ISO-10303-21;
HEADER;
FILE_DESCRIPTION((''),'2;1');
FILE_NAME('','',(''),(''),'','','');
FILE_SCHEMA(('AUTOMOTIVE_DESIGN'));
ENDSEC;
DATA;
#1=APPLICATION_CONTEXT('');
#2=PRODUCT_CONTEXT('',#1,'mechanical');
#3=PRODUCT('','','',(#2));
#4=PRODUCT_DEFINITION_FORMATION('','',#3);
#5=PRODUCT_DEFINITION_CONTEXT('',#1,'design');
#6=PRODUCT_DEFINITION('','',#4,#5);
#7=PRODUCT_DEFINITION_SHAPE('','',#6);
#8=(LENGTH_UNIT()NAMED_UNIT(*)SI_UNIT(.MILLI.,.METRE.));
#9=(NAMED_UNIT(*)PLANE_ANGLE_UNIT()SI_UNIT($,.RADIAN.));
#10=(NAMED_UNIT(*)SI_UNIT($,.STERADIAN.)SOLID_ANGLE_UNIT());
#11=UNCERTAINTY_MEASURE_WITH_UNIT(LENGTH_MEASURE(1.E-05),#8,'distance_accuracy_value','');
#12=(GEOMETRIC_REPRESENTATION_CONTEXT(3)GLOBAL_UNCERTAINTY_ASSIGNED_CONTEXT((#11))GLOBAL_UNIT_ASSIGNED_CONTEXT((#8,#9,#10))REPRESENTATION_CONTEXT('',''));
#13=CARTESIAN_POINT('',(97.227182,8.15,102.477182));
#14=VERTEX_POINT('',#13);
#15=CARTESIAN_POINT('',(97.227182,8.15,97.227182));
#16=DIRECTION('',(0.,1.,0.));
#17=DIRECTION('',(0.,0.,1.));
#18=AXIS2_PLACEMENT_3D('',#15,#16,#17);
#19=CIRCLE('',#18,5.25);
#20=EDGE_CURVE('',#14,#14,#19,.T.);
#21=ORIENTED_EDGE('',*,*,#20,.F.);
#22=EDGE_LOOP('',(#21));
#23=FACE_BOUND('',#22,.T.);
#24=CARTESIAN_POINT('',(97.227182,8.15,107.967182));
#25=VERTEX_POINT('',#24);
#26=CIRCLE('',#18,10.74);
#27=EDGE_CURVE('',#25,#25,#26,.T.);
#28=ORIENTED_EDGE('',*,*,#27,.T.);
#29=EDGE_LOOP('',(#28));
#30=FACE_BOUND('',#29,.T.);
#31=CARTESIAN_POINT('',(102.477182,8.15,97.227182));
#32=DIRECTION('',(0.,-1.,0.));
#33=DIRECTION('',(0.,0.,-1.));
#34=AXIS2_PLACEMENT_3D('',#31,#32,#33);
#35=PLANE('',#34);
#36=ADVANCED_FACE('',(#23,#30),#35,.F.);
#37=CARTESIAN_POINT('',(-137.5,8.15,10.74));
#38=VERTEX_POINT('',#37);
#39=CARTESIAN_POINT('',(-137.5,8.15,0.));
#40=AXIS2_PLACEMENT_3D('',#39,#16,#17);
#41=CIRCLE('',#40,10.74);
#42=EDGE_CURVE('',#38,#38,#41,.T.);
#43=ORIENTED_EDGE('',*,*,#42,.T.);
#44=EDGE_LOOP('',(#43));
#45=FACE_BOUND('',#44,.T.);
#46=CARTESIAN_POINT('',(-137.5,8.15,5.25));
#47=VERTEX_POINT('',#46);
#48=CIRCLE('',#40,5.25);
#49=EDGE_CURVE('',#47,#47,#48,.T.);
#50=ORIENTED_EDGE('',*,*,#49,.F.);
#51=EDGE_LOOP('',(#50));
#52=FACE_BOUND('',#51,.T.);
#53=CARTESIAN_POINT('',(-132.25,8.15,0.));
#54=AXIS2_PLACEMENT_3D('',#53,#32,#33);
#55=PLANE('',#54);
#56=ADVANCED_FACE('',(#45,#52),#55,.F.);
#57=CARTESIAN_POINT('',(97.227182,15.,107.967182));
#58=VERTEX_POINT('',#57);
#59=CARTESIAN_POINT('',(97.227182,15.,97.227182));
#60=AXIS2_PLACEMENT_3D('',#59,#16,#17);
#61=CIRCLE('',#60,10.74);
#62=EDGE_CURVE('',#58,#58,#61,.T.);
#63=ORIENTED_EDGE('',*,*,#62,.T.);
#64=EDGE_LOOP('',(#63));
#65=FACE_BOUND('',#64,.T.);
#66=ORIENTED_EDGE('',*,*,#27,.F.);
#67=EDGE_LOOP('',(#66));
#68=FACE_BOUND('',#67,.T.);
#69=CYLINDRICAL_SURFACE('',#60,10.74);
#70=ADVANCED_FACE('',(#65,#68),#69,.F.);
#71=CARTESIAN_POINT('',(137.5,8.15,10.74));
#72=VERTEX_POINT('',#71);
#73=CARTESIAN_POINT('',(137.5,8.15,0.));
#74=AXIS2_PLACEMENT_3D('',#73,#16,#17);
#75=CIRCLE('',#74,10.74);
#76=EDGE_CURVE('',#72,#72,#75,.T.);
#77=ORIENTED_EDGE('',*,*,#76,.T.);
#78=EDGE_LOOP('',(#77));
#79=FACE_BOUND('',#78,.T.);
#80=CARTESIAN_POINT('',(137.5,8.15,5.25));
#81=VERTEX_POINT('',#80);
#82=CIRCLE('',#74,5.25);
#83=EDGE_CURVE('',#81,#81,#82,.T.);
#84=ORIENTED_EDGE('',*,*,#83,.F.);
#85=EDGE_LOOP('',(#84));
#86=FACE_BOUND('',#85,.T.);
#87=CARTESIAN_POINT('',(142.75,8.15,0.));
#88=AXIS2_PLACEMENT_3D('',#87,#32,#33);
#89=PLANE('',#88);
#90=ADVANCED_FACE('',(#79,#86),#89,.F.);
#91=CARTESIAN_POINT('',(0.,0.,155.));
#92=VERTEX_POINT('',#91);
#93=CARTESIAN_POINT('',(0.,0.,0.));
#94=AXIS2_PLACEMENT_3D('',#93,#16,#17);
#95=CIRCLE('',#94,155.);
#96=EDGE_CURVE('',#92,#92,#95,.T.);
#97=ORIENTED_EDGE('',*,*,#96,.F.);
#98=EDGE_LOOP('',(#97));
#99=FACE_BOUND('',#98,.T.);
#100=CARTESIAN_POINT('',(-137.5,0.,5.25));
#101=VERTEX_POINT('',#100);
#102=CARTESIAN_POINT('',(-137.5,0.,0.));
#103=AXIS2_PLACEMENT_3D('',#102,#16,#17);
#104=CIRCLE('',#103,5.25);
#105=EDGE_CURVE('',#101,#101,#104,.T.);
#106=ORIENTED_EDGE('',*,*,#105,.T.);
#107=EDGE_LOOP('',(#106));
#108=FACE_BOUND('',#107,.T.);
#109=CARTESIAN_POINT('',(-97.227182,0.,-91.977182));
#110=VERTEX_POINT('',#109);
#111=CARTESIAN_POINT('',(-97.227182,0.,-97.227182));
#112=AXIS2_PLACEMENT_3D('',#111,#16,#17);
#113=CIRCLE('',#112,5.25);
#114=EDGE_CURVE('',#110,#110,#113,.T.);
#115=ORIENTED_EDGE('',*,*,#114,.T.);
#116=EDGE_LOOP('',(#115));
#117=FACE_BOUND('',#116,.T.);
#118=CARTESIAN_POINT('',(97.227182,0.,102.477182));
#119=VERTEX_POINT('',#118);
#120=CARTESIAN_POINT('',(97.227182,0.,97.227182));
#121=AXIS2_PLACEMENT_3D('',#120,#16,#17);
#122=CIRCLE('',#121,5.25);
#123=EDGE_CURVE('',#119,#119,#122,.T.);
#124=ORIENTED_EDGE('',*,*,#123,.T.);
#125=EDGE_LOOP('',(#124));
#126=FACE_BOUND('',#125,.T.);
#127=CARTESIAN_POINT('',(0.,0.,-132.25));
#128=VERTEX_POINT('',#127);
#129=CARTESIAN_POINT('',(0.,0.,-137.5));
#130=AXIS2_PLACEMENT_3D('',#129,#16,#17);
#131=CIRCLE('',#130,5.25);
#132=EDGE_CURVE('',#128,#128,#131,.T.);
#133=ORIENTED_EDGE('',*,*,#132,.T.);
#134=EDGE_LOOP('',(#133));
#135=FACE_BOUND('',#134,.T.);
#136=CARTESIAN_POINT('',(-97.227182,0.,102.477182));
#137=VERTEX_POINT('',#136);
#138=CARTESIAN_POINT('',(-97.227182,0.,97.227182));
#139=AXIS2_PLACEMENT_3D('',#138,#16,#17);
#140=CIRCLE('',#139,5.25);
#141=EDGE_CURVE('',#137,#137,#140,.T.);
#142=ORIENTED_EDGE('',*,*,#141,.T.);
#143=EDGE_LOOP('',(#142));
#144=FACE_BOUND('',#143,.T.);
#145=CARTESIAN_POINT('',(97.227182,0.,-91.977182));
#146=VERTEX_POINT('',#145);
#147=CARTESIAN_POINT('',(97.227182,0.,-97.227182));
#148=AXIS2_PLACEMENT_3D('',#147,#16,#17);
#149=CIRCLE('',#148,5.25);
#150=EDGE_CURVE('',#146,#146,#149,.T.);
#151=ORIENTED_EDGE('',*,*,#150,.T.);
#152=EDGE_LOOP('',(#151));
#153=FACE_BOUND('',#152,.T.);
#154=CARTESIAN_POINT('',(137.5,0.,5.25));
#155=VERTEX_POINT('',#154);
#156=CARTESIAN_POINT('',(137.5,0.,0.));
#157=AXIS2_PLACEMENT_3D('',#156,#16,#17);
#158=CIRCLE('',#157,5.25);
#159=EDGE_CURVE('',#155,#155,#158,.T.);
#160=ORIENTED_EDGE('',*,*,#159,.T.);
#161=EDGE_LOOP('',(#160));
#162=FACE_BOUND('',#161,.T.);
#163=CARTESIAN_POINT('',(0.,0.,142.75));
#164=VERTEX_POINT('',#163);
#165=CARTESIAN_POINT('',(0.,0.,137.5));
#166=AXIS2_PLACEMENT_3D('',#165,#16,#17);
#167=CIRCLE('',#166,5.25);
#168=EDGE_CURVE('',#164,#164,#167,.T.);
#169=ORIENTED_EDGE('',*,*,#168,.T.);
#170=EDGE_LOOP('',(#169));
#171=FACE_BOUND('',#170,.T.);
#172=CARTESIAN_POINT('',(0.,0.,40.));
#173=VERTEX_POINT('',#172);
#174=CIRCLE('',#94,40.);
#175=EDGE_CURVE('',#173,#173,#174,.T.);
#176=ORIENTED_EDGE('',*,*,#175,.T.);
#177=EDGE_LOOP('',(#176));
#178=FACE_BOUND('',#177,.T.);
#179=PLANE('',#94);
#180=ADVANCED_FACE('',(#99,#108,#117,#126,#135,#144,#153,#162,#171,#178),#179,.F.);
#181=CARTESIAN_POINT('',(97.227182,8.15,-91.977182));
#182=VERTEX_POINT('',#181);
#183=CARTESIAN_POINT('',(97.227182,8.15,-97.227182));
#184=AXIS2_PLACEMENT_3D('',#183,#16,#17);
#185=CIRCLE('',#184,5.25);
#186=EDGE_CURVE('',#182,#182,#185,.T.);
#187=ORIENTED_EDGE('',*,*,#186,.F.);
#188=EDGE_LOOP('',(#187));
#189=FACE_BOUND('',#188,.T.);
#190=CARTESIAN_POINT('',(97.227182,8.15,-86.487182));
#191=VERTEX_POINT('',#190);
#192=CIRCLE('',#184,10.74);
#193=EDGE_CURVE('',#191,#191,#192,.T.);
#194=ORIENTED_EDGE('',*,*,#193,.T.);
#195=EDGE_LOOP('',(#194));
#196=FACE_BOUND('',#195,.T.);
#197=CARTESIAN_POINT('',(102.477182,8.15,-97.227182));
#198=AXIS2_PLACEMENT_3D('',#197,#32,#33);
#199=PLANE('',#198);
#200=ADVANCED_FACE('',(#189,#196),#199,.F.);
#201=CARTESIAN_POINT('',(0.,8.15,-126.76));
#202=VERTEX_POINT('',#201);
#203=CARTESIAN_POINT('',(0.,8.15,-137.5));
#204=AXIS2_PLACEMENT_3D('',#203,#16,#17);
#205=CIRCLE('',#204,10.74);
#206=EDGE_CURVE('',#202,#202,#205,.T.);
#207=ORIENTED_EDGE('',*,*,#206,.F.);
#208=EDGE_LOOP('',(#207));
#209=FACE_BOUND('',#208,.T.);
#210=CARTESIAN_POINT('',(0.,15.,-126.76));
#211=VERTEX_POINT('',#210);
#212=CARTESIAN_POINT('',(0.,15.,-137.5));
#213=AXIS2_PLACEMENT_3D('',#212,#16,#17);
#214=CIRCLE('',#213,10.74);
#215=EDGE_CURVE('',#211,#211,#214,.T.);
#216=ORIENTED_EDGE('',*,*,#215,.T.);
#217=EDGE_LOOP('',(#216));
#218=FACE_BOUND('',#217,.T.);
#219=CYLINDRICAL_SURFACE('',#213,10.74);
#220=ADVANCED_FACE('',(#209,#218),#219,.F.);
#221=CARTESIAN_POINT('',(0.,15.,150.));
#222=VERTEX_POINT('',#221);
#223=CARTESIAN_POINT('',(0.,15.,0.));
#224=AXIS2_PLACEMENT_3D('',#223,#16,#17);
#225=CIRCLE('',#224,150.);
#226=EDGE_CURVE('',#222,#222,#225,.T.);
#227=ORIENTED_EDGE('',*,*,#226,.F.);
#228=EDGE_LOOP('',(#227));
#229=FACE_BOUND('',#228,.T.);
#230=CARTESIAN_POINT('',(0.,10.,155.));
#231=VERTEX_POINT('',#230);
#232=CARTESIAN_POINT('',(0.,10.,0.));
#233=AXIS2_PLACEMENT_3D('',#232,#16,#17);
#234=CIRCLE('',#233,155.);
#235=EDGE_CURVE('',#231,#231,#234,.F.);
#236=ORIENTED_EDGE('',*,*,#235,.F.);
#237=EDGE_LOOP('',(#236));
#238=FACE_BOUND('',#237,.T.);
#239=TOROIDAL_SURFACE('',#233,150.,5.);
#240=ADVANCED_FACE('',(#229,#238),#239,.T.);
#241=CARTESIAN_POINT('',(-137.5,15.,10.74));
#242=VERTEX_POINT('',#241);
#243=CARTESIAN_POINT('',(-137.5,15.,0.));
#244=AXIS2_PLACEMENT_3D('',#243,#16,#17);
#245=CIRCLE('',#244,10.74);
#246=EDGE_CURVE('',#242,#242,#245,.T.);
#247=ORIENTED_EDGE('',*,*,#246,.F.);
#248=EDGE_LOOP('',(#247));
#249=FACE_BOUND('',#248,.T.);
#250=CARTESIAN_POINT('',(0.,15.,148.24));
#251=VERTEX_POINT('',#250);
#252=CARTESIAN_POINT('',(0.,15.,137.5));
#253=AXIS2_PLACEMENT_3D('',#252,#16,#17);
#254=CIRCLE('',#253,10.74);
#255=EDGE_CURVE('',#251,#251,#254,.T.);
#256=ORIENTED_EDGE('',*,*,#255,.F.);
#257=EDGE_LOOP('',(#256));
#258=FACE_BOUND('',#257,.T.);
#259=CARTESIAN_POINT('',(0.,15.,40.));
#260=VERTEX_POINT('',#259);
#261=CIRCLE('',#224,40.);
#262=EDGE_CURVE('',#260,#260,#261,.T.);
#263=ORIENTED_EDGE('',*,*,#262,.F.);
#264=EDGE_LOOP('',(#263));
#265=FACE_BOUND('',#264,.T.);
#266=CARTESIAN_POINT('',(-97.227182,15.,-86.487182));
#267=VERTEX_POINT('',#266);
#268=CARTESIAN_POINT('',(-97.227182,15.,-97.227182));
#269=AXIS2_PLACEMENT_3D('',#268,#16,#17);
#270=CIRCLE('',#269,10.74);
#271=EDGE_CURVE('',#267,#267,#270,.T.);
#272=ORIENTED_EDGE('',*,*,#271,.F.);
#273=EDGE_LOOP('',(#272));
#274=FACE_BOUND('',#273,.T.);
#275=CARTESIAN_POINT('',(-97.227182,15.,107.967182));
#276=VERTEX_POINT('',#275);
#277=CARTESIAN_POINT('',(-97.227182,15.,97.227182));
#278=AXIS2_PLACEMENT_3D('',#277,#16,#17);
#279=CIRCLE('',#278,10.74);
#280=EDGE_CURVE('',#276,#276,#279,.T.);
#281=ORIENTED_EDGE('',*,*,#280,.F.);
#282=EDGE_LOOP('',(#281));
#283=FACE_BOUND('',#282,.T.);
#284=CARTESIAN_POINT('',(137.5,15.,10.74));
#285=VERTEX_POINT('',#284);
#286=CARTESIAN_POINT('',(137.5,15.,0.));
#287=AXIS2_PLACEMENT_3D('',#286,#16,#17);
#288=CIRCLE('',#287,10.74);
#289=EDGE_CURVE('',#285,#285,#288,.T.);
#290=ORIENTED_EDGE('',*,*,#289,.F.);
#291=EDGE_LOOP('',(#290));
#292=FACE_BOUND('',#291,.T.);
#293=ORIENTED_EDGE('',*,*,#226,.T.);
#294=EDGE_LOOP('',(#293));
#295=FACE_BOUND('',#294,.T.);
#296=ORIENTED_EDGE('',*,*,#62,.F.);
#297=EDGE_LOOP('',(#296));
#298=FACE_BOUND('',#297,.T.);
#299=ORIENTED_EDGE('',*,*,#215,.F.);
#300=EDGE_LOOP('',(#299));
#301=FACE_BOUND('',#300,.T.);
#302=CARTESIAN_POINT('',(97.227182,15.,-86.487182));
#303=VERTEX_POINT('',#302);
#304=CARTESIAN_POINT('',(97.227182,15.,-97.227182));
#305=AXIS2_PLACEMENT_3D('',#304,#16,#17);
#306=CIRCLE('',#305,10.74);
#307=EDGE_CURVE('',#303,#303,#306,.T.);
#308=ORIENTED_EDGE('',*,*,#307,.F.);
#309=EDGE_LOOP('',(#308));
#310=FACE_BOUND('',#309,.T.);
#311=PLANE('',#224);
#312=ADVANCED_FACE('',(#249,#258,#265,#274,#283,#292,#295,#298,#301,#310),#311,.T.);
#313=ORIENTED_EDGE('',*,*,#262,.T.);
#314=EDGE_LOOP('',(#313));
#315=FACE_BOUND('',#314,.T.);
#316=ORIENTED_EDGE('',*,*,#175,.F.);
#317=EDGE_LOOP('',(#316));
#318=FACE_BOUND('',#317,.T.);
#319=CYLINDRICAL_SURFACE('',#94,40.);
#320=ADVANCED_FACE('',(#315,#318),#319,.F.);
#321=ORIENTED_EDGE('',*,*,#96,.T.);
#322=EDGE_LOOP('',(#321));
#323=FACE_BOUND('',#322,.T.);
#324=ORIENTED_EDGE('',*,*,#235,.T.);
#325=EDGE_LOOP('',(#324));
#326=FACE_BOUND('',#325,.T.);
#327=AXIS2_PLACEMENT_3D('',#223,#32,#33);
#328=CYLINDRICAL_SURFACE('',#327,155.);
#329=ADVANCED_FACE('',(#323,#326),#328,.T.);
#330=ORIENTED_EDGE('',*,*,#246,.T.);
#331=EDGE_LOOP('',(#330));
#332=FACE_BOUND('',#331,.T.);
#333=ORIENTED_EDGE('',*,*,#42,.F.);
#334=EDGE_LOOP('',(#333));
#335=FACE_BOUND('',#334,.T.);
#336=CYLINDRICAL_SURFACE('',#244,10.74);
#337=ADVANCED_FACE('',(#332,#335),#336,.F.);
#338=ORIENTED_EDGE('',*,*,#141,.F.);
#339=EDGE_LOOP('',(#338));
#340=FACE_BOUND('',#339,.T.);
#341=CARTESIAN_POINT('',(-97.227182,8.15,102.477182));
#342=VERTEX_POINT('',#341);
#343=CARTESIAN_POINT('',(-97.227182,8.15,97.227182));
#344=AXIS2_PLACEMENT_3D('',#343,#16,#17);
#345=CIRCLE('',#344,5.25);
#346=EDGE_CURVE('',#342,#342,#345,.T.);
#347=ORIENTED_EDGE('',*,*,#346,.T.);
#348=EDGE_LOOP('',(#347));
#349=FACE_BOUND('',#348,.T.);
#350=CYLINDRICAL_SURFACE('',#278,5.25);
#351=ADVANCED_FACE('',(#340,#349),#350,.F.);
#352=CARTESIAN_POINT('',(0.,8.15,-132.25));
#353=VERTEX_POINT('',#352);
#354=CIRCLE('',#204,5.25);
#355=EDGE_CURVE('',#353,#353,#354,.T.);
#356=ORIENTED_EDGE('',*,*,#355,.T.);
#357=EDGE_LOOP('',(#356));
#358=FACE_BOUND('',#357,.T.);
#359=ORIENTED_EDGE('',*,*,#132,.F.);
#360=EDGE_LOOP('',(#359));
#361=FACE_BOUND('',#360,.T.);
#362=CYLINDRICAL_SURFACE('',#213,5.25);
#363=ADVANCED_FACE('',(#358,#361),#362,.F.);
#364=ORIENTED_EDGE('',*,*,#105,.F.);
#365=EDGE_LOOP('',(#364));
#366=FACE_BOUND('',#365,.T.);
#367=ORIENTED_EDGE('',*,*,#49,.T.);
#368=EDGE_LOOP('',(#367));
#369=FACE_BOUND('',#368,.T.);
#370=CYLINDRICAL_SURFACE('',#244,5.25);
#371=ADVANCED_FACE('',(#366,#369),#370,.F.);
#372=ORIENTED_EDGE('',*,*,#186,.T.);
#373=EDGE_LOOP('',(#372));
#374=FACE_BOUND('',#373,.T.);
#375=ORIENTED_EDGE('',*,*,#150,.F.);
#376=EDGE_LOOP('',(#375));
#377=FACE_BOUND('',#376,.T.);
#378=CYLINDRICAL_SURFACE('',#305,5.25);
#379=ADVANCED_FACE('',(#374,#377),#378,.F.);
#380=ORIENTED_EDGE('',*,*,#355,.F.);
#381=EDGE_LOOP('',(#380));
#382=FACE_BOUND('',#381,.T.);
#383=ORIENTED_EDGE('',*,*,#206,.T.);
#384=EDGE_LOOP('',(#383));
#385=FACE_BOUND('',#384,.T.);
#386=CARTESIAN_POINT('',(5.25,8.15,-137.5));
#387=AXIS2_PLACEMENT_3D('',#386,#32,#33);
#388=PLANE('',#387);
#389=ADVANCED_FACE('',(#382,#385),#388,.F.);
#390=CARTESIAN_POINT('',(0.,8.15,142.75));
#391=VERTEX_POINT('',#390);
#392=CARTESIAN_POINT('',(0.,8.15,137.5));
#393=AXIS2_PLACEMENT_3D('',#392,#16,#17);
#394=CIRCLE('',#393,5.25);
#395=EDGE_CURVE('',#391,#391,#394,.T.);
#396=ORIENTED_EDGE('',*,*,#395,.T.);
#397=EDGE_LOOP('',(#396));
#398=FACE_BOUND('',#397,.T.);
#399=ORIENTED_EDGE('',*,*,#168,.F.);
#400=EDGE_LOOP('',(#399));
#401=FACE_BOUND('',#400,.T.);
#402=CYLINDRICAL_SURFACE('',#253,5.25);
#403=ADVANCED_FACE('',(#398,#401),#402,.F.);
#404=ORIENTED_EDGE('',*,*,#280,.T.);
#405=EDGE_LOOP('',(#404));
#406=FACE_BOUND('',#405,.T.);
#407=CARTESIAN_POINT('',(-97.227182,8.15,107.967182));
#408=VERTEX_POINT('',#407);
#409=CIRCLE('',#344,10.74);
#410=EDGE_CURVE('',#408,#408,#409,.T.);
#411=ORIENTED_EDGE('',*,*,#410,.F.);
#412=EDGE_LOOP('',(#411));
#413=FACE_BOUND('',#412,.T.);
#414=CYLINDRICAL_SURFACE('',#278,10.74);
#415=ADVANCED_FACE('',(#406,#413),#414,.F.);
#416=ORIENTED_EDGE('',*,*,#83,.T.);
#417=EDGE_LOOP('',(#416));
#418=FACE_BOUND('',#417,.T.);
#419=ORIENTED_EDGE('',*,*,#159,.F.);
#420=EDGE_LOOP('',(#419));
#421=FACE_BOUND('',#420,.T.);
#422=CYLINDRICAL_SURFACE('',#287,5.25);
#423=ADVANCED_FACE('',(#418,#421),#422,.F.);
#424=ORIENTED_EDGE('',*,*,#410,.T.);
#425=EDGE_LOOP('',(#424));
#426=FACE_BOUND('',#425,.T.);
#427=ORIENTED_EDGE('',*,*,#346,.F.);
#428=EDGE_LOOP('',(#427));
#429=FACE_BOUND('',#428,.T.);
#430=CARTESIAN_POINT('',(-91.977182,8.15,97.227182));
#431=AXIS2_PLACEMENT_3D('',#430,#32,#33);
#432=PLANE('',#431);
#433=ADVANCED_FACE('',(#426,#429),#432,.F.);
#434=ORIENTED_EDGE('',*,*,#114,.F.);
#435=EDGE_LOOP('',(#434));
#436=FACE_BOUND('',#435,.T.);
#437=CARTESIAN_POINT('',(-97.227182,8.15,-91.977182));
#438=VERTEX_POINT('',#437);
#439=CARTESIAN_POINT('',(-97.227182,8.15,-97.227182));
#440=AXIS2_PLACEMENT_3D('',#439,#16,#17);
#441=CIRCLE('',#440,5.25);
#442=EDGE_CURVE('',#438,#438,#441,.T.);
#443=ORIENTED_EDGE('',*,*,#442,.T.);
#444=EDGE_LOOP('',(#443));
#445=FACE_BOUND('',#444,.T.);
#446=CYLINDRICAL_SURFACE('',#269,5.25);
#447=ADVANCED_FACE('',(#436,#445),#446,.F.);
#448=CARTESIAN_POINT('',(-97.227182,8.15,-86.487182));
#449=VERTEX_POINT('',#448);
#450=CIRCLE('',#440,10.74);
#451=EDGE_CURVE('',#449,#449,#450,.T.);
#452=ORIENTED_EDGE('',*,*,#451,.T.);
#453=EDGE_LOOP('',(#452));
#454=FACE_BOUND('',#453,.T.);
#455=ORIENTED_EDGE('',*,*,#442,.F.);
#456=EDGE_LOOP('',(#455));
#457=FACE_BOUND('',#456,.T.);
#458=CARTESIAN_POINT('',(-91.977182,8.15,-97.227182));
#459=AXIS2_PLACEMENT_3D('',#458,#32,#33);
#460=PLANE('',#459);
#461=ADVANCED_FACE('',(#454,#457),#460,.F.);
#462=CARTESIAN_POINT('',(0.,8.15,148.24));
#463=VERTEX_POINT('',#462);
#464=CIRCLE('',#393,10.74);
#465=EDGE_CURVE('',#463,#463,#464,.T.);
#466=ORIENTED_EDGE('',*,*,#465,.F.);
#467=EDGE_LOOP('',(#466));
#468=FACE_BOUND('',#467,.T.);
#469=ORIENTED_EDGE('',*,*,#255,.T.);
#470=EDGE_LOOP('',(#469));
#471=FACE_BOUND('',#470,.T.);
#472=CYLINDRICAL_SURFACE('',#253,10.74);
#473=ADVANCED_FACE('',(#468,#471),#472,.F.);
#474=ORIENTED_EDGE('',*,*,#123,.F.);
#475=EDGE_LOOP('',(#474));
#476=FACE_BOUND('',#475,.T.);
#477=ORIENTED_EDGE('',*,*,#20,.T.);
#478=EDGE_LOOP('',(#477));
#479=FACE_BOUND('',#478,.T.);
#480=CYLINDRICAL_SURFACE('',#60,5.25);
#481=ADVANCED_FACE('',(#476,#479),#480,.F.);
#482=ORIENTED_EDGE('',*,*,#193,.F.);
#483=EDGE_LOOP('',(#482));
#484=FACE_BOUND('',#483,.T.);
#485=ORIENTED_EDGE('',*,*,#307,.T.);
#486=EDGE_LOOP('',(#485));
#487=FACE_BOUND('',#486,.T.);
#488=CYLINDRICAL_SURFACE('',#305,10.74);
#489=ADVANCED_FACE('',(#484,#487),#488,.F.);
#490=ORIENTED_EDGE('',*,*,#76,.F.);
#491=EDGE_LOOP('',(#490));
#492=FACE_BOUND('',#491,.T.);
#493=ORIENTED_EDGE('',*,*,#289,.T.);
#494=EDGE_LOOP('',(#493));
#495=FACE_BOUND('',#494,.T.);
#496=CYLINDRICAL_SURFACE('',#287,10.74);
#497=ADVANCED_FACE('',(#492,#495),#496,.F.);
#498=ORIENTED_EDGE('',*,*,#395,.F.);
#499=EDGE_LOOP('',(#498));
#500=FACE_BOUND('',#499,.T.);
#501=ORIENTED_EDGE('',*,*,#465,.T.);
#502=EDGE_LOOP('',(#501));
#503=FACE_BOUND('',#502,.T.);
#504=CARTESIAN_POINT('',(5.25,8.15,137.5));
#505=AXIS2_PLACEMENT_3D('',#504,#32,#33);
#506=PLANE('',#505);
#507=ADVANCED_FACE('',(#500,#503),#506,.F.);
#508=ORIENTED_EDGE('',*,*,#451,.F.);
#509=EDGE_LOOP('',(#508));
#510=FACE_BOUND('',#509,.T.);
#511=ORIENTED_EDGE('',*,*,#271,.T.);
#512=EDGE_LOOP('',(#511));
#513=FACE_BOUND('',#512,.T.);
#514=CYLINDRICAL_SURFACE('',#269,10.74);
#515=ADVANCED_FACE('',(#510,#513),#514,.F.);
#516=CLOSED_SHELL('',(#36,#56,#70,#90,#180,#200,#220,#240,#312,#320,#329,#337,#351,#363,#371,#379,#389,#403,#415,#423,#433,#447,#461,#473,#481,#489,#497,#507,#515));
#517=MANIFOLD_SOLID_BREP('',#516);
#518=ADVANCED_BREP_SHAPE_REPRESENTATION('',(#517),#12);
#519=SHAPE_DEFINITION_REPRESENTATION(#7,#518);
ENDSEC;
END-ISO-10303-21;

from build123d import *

# Parameters (mm, degrees)
SKETCH1_R                                = 155
BOSS_EXTRUDE1_DEPTH                      = 15
CBORE_FOR_M10_HEX_HEAD_BOLT1_D           = 10.5
CBORE_FOR_M10_HEX_HEAD_BOLT1_CBORE_D     = 21.48
CBORE_FOR_M10_HEX_HEAD_BOLT1_CBORE_DEPTH = 6.85
CIRPATTERN1_COUNT                        = 8
SKETCH2_R                                = 40
CUT_EXTRUDE1_DEPTH                       = 15
FILLET1_R                                = 5


with BuildPart() as part:
    # Sketch1 → Boss-Extrude1 (new body)
    with BuildSketch(Plane(origin=(0, 0, 0), x_dir=(1, 0, 0), z_dir=(0, 1, 0))):
        with Locations(Location((0, 0, 0), (0, 0, 270))):
            Circle(SKETCH1_R)
    extrude(amount=BOSS_EXTRUDE1_DEPTH)

    # CBORE for M10 Hex Head Bolt1 (through all)
    with Locations(Plane(origin=(0, 15, -137.5), x_dir=(0, 0, 1), z_dir=(0, 1, 0))):
        with Locations((0, 0)):
            cbore_for_m10_hex_head_bolt1 = CounterBoreHole(CBORE_FOR_M10_HEX_HEAD_BOLT1_D / 2, CBORE_FOR_M10_HEX_HEAD_BOLT1_CBORE_D / 2, CBORE_FOR_M10_HEX_HEAD_BOLT1_CBORE_DEPTH)

    # CirPattern1: CBORE for M10 Hex Head Bolt1 ×8 about axis
    cirpattern1_axis = Axis((0, 0, 0), (0, 1, 0))
    for i in range(1, CIRPATTERN1_COUNT):
        add(cbore_for_m10_hex_head_bolt1.rotate(cirpattern1_axis, i * 360 / CIRPATTERN1_COUNT), mode=Mode.SUBTRACT)

    # Sketch2 → Cut-Extrude1 (cut)
    with BuildSketch(Plane(origin=(0, 15, 0), x_dir=(1, 0, 0), z_dir=(0, 1, 0))):
        with Locations(Location((0, 0, 0), (0, 0, 270))):
            Circle(SKETCH2_R)
    extrude(amount=-CUT_EXTRUDE1_DEPTH, mode=Mode.SUBTRACT)

    # Fillet1
    fillet1_edges = [part.edges().sort_by_distance(p)[0] for p in [
        (0, 15, -155),
    ]]
    fillet(fillet1_edges, radius=FILLET1_R)


solid = part.part
